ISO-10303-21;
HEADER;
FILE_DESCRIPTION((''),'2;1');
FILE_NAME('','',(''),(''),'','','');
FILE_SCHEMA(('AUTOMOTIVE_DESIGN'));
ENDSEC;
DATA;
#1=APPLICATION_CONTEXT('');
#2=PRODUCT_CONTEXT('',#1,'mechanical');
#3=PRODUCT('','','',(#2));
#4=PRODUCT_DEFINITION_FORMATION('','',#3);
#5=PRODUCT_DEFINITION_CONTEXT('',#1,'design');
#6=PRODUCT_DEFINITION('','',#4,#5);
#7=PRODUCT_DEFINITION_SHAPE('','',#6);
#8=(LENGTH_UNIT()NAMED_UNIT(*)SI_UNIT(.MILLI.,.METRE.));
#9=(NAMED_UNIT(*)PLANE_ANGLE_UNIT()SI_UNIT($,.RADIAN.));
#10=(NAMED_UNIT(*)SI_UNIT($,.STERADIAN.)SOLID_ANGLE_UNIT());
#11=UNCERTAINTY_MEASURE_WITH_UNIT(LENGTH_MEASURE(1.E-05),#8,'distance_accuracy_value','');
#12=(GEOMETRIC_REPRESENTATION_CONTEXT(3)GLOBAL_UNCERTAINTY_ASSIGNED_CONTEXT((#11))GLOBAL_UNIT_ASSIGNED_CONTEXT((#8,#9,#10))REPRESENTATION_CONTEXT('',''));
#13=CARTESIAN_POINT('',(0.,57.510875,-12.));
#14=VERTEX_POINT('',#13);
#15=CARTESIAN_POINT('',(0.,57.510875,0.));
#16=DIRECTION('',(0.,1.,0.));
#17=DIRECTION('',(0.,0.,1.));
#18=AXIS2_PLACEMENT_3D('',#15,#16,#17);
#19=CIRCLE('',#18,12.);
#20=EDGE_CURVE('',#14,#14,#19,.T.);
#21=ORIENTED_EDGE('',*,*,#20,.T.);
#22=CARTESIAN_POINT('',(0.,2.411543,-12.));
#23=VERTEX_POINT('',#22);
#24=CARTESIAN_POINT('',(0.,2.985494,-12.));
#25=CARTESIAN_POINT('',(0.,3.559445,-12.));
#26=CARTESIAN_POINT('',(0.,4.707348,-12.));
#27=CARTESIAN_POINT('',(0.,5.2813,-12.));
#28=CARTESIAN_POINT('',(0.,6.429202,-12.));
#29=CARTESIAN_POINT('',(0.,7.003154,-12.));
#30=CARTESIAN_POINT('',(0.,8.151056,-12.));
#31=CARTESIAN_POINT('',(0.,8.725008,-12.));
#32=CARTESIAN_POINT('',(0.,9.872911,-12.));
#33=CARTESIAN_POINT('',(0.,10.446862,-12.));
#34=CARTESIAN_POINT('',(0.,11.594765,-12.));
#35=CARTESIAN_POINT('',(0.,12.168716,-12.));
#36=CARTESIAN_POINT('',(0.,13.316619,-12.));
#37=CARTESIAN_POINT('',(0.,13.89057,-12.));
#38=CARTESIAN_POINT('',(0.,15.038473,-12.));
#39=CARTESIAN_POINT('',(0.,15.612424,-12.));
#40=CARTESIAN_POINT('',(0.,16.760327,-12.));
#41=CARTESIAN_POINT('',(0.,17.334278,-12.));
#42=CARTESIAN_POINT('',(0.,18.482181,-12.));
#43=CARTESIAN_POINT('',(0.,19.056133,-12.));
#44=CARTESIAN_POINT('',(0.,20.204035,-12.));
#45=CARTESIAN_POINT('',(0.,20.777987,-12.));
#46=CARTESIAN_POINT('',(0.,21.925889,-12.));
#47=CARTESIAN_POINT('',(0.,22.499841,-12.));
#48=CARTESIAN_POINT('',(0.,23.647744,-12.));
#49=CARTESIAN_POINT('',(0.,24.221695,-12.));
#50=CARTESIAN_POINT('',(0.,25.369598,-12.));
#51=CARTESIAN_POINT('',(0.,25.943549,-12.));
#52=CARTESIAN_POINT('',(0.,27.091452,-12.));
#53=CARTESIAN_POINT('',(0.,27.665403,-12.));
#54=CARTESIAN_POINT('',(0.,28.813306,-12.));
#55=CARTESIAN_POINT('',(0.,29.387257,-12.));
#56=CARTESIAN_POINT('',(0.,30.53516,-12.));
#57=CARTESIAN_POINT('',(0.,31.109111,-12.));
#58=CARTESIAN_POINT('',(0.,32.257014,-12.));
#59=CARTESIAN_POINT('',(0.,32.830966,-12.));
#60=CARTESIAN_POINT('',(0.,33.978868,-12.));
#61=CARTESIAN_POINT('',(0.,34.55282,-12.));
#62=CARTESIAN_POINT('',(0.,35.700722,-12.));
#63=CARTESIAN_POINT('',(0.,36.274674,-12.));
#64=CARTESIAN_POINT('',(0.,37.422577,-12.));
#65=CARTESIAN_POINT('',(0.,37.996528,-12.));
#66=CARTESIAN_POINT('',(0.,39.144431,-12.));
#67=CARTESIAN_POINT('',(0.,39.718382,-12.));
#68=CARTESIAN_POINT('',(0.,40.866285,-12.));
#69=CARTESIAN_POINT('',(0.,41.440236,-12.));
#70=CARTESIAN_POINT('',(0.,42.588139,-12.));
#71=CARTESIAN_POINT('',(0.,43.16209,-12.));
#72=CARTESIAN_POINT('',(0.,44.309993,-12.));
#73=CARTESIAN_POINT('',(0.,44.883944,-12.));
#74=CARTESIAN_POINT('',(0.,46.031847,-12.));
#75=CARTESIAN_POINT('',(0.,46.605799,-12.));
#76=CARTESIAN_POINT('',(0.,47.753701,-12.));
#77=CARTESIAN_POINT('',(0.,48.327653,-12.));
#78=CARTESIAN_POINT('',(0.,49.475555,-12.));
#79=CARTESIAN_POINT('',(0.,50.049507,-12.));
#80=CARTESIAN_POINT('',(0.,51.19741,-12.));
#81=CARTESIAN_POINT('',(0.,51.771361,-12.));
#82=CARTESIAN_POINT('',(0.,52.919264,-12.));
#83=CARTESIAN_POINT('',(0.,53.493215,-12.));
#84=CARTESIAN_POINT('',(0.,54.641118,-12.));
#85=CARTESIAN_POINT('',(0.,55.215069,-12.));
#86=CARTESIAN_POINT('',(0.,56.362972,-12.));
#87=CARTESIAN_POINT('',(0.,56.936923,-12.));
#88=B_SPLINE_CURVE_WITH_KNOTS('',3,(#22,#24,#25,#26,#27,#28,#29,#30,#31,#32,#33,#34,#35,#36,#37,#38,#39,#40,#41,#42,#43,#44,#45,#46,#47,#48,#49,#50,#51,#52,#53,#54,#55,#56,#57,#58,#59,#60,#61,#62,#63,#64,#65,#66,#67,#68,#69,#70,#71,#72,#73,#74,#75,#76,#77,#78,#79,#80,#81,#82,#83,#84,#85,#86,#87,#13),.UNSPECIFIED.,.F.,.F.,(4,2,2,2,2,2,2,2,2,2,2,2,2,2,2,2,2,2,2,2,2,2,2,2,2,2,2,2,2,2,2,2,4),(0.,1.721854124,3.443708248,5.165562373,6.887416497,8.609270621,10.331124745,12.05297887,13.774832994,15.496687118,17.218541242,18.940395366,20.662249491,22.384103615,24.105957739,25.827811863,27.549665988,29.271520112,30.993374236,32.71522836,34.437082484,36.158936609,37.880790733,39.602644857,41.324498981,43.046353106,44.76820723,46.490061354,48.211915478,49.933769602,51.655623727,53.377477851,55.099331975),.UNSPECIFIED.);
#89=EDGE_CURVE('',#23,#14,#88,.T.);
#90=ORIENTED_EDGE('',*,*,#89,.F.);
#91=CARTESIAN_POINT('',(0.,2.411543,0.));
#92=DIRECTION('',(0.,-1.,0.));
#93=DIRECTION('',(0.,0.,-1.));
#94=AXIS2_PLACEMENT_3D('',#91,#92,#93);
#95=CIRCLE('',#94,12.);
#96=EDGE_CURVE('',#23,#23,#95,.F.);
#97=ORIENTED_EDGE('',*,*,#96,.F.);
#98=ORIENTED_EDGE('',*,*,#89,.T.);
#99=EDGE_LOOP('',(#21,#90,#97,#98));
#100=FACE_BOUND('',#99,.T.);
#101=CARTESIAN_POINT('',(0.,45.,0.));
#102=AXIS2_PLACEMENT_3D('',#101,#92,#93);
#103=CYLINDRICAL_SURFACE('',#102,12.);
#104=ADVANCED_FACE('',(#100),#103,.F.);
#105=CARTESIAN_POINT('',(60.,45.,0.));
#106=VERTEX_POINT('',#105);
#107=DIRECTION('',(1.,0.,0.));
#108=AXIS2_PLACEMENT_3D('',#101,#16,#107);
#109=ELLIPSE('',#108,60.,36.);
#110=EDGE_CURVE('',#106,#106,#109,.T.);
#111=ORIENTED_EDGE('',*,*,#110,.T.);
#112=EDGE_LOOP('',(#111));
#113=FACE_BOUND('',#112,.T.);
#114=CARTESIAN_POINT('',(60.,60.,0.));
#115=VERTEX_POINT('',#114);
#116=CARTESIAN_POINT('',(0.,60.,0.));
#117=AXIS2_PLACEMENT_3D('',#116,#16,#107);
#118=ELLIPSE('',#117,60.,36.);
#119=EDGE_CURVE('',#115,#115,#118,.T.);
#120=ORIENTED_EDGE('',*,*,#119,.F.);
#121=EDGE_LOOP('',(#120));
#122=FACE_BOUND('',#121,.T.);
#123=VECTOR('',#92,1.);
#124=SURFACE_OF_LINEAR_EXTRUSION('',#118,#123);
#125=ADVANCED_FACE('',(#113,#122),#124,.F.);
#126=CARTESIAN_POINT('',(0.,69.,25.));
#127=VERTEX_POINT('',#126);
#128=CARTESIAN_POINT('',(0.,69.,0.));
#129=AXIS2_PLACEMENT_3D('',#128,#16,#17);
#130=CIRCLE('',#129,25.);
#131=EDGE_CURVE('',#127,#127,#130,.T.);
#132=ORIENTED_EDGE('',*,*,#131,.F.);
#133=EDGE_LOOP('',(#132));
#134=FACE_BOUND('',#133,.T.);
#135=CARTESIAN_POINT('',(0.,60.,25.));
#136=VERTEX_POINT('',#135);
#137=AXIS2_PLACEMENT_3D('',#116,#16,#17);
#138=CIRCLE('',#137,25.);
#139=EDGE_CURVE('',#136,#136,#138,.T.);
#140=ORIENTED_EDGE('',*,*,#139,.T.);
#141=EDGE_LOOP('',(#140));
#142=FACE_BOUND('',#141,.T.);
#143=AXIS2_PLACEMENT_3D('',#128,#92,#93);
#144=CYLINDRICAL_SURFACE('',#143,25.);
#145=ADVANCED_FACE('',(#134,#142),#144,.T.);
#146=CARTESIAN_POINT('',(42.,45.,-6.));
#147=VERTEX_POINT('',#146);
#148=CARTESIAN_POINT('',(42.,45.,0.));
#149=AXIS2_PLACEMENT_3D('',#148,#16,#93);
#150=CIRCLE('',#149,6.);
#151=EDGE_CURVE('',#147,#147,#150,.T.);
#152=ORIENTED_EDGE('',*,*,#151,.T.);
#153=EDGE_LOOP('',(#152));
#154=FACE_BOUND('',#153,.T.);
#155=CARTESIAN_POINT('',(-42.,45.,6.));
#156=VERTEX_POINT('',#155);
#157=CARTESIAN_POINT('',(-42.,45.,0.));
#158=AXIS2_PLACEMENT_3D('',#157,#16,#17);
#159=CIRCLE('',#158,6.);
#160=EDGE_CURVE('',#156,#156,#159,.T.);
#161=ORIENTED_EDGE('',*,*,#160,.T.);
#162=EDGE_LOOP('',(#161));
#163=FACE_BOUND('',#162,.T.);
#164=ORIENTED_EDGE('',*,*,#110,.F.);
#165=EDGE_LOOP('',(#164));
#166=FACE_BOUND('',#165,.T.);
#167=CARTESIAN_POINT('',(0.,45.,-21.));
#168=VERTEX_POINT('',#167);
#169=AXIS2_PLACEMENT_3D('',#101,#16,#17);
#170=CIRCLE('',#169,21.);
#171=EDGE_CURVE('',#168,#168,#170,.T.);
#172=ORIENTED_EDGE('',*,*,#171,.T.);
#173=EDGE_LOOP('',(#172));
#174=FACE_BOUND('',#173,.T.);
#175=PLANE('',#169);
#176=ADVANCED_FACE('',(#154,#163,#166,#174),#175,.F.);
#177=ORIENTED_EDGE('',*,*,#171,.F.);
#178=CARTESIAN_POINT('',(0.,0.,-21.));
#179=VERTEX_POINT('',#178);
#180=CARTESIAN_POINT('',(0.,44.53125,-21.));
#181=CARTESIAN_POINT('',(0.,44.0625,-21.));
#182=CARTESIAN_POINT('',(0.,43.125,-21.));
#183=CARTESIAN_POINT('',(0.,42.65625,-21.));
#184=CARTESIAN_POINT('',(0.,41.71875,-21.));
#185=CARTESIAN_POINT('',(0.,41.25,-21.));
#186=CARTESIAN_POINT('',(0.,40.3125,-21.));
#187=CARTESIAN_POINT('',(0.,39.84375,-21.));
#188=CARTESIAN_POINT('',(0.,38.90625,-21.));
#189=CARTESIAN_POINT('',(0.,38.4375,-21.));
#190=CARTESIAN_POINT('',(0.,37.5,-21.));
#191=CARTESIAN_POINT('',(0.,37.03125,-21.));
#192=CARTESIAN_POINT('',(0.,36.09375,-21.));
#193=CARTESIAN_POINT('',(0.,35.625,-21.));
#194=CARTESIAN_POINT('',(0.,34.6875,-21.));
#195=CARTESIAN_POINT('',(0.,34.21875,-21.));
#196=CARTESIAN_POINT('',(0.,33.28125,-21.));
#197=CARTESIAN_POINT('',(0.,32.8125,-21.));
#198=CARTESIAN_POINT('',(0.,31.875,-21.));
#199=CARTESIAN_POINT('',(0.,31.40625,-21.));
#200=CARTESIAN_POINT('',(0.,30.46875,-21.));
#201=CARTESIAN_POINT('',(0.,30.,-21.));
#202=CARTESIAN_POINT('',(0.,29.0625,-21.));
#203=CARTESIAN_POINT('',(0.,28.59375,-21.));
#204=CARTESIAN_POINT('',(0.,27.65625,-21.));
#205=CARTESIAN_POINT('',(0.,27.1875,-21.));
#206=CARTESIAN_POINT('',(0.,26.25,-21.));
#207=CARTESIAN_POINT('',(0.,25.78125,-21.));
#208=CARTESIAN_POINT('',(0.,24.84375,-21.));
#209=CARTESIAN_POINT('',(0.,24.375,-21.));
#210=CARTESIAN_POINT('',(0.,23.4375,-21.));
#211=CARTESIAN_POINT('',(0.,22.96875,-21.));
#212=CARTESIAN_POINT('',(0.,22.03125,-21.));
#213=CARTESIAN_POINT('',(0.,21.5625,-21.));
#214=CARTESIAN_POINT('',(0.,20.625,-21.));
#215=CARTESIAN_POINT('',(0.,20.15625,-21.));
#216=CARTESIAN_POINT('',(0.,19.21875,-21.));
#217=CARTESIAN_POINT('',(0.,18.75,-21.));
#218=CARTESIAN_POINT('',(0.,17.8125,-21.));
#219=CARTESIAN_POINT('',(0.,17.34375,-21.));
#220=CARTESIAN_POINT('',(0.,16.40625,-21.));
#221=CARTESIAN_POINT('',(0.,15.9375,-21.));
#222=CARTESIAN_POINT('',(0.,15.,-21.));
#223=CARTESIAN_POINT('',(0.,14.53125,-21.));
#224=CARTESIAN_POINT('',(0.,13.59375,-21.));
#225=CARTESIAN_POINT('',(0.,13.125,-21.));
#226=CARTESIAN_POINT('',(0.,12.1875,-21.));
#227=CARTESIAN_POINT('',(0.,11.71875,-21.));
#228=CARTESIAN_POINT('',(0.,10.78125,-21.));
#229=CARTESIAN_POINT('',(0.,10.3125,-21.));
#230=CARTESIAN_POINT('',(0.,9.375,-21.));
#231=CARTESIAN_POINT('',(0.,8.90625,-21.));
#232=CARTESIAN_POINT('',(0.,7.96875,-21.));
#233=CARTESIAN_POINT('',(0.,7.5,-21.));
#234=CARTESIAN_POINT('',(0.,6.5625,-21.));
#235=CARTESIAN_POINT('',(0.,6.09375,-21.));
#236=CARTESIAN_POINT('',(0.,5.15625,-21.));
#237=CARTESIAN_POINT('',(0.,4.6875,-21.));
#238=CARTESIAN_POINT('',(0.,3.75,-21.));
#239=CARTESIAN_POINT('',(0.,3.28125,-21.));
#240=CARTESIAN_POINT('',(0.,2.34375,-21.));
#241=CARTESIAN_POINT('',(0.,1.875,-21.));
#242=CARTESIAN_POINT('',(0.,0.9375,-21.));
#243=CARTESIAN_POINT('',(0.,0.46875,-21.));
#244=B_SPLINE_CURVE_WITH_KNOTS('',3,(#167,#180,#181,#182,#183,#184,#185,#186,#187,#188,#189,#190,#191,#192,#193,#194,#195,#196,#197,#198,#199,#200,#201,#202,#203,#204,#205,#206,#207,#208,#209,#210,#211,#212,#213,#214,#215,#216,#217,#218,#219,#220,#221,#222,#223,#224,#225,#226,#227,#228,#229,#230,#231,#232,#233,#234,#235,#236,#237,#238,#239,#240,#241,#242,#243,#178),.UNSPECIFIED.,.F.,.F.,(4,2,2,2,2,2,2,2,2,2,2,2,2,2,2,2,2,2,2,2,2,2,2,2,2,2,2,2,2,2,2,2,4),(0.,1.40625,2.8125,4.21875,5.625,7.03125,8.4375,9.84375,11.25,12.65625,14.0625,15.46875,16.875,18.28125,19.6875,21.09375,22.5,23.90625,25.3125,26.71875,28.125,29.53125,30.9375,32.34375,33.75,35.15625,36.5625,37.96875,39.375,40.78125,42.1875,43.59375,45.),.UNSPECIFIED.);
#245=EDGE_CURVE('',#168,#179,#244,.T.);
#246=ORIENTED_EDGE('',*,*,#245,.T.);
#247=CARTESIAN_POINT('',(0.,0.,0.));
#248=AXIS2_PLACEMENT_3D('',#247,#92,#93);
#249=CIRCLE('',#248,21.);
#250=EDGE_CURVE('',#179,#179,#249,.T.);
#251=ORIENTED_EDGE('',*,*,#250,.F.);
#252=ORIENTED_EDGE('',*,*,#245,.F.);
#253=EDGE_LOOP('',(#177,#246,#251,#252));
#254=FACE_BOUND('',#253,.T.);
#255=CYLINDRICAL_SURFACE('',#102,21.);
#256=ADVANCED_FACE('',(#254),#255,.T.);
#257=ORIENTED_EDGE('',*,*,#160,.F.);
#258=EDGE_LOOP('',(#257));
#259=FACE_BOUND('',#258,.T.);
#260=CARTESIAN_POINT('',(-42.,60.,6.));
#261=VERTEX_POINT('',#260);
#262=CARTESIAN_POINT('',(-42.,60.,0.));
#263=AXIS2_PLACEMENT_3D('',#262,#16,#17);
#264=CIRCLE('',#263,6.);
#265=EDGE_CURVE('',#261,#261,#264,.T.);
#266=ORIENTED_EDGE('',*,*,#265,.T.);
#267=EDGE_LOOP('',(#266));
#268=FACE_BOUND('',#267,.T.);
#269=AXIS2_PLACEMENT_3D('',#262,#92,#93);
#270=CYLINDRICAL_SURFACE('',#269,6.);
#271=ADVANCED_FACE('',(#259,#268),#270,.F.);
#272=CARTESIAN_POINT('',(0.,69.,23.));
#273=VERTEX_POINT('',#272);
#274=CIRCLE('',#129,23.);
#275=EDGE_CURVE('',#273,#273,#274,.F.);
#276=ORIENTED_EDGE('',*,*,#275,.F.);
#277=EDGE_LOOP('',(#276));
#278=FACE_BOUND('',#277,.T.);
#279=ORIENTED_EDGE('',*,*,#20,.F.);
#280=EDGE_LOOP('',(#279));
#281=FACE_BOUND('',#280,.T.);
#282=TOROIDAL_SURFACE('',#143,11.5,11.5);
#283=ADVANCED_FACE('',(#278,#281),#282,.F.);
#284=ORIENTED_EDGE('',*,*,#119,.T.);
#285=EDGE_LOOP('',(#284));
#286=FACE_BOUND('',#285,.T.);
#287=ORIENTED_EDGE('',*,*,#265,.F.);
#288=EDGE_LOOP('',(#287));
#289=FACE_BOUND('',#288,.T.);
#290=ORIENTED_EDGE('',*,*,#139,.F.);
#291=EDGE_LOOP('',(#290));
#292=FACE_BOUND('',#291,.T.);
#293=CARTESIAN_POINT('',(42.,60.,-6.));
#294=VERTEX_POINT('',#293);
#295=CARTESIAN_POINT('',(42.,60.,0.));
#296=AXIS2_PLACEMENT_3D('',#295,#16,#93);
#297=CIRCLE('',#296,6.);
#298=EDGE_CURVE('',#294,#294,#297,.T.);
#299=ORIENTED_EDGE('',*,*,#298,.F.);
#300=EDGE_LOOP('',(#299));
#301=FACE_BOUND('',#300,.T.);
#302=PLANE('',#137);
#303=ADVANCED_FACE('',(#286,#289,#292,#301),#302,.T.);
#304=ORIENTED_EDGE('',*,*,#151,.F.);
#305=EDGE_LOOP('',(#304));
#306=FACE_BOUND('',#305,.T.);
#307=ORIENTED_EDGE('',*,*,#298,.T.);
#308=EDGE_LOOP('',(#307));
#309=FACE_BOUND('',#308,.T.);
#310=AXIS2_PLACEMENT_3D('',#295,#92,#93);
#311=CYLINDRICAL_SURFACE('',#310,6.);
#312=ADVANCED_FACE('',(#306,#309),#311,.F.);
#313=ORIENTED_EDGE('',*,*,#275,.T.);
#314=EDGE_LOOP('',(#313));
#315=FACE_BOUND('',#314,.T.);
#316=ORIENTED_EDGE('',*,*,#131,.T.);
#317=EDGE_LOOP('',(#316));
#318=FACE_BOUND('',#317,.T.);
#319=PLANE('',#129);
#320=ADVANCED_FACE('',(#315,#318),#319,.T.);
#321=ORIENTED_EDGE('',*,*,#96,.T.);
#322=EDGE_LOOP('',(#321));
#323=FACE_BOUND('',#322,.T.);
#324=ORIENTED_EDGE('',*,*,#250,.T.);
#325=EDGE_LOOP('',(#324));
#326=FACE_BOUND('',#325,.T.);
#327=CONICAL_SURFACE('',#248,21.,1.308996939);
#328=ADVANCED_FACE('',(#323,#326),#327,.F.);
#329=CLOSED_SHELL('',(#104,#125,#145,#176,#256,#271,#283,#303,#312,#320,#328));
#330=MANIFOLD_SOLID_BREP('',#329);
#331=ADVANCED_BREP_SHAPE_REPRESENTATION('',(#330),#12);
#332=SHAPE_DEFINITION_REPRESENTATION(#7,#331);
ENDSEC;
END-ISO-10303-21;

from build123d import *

# Parameters (mm, degrees)
SKETCH1_R           = 21
SKETCH1_R_2         = 12
BOSS_EXTRUDE1_DEPTH = 45
SKETCH4_RX          = 60
SKETCH4_RY          = 36
SKETCH4_R           = 6
SKETCH4_R_2         = 12
BOSS_EXTRUDE2_DEPTH = 15
SKETCH5_R           = 25
BOSS_EXTRUDE3_DEPTH = 9


with BuildPart() as part:
    # Sketch1 → Boss-Extrude1 (new body)
    with BuildSketch(Plane(origin=(0, 0, 0), x_dir=(1, 0, 0), z_dir=(0, 1, 0))):
        with Locations(Location((0, 0, 0), (0, 0, 90))):
            Circle(SKETCH1_R)
        with Locations(Location((0, 0, 0), (0, 0, 90))):
            Circle(SKETCH1_R_2, mode=Mode.SUBTRACT)
    extrude(amount=BOSS_EXTRUDE1_DEPTH)

    # Sketch4 → Boss-Extrude2 (add)
    with BuildSketch(Plane(origin=(0, 45, 0), x_dir=(1, 0, 0), z_dir=(0, 1, 0))):
        with Locations((0, 0)):
            Ellipse(SKETCH4_RX, SKETCH4_RY)
        with Locations(Location((-42, 0, 0), (0, 0, 270))):
            Circle(SKETCH4_R, mode=Mode.SUBTRACT)
        with Locations(Location((42, 0, 0), (0, 0, 90))):
            Circle(SKETCH4_R, mode=Mode.SUBTRACT)
        with Locations(Location((0, 0, 0), (0, 0, 90))):
            Circle(SKETCH4_R_2, mode=Mode.SUBTRACT)
    extrude(amount=BOSS_EXTRUDE2_DEPTH)

    # Sketch5 → Boss-Extrude3 (add)
    with BuildSketch(Plane(origin=(0, 60, 0), x_dir=(1, 0, 0), z_dir=(0, 1, 0))):
        with Locations(Location((0, 0, 0), (0, 0, 270))):
            Circle(SKETCH5_R)
    extrude(amount=BOSS_EXTRUDE3_DEPTH)

    # Sketch6 → Cut-Revolve1 (revolve, cut)
    with BuildSketch(Plane.XY, mode=Mode.PRIVATE) as cut_revolve1_sk:
        with BuildLine():
            Line((-11.5, 57.5), (0, 57.5))
            Line((0, 57.5), (0, 80.5))
            Line((0, 80.5), (-11.5, 80.5))
            ThreePointArc((-11.5, 80.5), (-23, 69), (-11.5, 57.5))
        make_face()
    revolve(cut_revolve1_sk.sketch.rotate(Axis((0, 0, 0), (0, 1, 0)), 270), axis=Axis((0, 0, 0), (0, 1, 0)), mode=Mode.SUBTRACT)

    # Sketch7 → Cut-Revolve2 (revolve, cut)
    with BuildSketch(Plane.XY, mode=Mode.PRIVATE) as cut_revolve2_sk:
        Polygon((0, 0), (-21, 0), (0, 5.626933041), align=None)
    revolve(cut_revolve2_sk.sketch.rotate(Axis((0, 0, 0), (0, 1, 0)), 270), axis=Axis((0, 0, 0), (0, 1, 0)), mode=Mode.SUBTRACT)


solid = part.part
